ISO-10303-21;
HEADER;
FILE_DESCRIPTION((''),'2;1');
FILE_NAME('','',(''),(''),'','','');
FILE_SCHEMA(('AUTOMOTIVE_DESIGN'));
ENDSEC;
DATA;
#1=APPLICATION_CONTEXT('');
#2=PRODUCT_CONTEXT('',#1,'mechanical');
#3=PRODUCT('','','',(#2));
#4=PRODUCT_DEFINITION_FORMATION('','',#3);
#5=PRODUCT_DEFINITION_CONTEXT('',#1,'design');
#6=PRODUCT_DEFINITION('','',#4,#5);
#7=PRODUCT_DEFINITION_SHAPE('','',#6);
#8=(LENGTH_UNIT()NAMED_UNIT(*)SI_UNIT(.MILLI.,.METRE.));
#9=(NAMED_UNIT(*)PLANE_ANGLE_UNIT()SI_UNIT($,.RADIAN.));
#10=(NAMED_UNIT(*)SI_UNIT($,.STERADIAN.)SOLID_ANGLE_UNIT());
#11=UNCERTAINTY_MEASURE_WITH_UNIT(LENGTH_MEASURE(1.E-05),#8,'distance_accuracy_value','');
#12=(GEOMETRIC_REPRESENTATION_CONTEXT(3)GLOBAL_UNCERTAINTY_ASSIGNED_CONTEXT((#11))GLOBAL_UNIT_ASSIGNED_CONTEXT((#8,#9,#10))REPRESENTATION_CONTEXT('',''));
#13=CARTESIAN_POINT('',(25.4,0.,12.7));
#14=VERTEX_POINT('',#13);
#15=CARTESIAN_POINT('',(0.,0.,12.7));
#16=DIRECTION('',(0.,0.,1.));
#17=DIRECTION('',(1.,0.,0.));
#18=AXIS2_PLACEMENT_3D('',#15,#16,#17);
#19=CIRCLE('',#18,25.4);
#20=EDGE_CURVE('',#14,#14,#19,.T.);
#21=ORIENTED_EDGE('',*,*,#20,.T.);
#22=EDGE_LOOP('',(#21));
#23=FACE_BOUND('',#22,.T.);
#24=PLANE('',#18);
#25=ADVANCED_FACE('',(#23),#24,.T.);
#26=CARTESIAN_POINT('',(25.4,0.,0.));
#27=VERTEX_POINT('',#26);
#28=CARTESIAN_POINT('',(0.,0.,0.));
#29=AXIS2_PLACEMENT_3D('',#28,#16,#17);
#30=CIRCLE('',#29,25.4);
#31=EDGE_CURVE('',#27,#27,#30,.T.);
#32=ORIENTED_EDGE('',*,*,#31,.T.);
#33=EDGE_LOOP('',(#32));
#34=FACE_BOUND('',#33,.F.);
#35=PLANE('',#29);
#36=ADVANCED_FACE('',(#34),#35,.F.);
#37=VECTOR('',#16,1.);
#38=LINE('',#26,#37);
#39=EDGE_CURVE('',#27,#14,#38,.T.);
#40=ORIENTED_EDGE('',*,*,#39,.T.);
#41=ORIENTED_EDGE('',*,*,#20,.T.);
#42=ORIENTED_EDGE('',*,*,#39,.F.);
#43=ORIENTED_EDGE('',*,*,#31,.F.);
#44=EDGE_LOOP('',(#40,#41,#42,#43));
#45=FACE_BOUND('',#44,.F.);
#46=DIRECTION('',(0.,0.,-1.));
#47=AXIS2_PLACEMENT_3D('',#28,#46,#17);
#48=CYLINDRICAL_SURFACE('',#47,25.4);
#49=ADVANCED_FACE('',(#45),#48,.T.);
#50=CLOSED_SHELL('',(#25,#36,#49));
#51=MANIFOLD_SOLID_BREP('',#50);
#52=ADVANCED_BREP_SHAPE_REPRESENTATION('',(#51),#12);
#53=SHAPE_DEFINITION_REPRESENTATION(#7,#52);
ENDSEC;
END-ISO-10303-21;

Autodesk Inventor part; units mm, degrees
ref_plane "YZ Plane" through (0, 0, 0) normal (1, 0, 0) x (0, 1, 0)
ref_plane "XZ Plane" through (0, 0, 0) normal (0, 1, 0) x (-1, 0, 0)
ref_plane "XY Plane" through (0, 0, 0) normal (0, 0, 1) x (1, 0, 0)
sketch "Sketch1" plane through (0, 0, 0) normal (0, 0, 1) x (1, 0, 0)
  circle A0 centre (0, 0) radius 25.4
  dimension "d0" = 50.8
extrude "Extrusion1" add sketch "Sketch1" along normal blind 12.7
properties part number "WheelsIGuess"
